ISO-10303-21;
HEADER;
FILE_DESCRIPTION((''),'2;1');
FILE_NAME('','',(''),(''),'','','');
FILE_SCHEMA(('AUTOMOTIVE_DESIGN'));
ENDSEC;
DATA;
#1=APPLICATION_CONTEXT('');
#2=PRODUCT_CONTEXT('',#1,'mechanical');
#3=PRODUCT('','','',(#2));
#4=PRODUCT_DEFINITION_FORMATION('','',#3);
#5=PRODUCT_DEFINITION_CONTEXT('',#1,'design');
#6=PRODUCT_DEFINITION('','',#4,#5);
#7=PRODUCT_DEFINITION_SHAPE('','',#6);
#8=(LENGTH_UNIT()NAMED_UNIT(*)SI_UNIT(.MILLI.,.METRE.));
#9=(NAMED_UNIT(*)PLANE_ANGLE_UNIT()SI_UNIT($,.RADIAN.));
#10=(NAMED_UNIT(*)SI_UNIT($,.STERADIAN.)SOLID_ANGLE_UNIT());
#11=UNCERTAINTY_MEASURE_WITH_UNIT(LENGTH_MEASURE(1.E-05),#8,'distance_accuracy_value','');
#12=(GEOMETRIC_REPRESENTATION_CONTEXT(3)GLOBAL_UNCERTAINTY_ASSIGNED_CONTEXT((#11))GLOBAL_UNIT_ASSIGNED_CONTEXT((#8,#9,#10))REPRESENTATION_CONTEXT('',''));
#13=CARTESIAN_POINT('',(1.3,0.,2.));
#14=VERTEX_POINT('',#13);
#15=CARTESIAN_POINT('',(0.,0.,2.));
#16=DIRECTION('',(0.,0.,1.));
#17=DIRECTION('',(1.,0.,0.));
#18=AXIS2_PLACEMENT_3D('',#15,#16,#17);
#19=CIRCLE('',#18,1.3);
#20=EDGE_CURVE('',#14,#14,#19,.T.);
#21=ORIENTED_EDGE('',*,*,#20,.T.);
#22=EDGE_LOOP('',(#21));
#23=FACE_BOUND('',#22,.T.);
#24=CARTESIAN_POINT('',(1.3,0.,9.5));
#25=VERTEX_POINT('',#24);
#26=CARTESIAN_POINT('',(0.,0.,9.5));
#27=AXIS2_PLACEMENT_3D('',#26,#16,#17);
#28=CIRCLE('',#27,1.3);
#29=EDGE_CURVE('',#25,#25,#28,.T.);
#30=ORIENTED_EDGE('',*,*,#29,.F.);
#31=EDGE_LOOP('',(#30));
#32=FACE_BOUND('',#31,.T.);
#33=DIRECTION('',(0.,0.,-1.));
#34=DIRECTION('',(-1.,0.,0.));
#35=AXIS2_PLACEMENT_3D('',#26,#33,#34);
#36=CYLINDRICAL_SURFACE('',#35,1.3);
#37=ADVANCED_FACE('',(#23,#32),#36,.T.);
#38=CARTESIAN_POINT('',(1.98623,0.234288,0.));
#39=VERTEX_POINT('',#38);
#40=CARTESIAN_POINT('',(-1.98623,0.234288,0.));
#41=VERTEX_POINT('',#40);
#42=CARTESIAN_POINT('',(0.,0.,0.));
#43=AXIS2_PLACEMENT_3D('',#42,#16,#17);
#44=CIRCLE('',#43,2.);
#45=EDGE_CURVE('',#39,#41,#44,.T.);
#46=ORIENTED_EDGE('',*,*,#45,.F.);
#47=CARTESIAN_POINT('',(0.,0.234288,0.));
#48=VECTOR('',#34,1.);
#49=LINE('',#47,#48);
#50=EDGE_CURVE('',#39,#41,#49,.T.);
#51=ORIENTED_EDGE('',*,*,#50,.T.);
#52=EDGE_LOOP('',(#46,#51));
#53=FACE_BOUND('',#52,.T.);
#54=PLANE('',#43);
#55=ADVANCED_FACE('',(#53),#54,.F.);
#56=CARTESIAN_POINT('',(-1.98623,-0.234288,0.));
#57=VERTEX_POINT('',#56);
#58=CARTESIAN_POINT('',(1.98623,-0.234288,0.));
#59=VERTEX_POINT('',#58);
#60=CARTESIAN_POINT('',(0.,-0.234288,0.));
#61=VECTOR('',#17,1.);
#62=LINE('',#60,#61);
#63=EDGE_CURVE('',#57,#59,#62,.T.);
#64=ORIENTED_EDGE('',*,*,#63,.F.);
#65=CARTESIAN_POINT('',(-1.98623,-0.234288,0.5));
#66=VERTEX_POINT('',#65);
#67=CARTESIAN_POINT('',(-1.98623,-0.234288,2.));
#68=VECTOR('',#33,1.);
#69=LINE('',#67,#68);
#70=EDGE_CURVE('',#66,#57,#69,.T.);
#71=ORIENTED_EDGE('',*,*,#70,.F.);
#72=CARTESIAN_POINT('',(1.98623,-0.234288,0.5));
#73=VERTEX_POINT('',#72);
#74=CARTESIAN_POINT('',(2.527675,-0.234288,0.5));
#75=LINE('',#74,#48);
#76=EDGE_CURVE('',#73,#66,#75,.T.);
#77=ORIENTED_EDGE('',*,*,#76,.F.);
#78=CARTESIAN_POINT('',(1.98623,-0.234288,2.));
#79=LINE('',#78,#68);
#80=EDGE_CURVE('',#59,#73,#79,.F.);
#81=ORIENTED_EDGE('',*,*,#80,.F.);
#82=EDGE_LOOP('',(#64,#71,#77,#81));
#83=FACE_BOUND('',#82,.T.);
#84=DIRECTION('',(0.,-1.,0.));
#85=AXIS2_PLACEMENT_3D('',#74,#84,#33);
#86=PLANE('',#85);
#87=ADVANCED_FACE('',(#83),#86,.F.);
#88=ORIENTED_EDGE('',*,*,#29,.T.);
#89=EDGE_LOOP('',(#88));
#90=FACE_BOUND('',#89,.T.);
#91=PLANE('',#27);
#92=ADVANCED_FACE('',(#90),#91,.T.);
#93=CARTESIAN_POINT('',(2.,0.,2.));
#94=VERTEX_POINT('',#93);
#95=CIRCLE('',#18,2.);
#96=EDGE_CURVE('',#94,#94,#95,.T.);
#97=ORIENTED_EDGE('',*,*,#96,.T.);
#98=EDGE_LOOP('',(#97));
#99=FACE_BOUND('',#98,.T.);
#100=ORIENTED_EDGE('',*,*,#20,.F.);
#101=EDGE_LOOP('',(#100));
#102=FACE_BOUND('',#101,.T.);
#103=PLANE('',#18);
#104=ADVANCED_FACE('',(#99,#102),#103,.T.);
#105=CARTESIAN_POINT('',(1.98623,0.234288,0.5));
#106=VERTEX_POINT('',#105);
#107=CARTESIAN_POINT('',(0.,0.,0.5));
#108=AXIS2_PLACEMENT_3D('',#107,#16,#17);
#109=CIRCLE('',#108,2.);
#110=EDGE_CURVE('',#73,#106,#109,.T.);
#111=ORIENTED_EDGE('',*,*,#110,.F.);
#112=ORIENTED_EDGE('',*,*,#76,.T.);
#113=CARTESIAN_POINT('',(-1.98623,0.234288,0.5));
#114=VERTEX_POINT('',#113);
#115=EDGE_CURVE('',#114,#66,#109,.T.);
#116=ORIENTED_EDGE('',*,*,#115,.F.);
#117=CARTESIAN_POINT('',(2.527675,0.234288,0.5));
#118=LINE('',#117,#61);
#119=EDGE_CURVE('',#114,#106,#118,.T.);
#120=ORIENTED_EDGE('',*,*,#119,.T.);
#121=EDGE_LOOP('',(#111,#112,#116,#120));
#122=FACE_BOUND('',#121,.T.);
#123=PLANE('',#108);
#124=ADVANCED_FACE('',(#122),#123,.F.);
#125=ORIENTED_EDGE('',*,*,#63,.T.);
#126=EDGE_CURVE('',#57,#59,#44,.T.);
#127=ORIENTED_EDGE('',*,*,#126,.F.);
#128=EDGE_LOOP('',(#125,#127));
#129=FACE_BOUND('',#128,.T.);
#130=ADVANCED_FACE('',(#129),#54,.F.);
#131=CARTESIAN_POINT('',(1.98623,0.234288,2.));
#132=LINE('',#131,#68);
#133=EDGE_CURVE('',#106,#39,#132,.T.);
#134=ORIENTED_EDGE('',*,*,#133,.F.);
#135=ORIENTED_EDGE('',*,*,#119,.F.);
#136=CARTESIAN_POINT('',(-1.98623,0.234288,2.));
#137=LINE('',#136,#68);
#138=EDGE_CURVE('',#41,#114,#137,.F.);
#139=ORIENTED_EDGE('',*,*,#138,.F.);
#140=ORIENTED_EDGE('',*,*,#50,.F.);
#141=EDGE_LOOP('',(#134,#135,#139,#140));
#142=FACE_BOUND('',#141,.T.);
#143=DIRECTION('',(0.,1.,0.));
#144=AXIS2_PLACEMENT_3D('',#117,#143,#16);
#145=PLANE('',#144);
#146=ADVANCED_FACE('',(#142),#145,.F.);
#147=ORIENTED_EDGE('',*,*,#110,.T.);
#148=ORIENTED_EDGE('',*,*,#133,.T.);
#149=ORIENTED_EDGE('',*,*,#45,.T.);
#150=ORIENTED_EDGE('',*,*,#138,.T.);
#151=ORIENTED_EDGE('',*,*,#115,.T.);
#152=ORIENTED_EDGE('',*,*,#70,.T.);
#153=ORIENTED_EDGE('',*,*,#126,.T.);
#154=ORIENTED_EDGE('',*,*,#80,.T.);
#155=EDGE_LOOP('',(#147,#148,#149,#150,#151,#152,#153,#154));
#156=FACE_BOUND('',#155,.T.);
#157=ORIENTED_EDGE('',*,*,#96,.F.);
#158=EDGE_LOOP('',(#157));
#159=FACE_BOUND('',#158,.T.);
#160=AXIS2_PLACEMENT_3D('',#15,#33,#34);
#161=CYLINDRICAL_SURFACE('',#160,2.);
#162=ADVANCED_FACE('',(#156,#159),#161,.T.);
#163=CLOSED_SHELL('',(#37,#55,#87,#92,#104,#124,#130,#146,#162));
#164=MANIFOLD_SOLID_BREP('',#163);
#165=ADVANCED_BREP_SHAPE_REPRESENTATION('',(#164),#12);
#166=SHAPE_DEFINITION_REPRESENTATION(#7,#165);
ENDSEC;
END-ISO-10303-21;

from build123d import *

# Parameters (mm, degrees)
ESQUISSE1_R             = 2
BOSS_EXTRU_1_DEPTH      = 2
ESQUISSE2_R             = 1.3
BOSS_EXTRU_2_DEPTH      = 7.5
ESQUISSE3_W             = 5.055349602
ESQUISSE3_H             = 0.46857679
ENL_V_MAT_EXTRU_1_DEPTH = 0.5


with BuildPart() as part:
    # Esquisse1 → Boss.-Extru.1 (new body)
    with BuildSketch(Plane.XY):
        Circle(ESQUISSE1_R)
    extrude(amount=BOSS_EXTRU_1_DEPTH)

    # Esquisse2 → Boss.-Extru.2 (add)
    with BuildSketch(Plane.XY.offset(2)):
        Circle(ESQUISSE2_R)
    extrude(amount=BOSS_EXTRU_2_DEPTH)

    # Esquisse3 → Enlèv. mat.-Extru.1 (cut)
    with BuildSketch(Plane(origin=(0, 0, 0), x_dir=(-1, 0, 0), z_dir=(0, 0, -1))):
        Rectangle(ESQUISSE3_W, ESQUISSE3_H)
    extrude(amount=-ENL_V_MAT_EXTRU_1_DEPTH, mode=Mode.SUBTRACT)


solid = part.part
